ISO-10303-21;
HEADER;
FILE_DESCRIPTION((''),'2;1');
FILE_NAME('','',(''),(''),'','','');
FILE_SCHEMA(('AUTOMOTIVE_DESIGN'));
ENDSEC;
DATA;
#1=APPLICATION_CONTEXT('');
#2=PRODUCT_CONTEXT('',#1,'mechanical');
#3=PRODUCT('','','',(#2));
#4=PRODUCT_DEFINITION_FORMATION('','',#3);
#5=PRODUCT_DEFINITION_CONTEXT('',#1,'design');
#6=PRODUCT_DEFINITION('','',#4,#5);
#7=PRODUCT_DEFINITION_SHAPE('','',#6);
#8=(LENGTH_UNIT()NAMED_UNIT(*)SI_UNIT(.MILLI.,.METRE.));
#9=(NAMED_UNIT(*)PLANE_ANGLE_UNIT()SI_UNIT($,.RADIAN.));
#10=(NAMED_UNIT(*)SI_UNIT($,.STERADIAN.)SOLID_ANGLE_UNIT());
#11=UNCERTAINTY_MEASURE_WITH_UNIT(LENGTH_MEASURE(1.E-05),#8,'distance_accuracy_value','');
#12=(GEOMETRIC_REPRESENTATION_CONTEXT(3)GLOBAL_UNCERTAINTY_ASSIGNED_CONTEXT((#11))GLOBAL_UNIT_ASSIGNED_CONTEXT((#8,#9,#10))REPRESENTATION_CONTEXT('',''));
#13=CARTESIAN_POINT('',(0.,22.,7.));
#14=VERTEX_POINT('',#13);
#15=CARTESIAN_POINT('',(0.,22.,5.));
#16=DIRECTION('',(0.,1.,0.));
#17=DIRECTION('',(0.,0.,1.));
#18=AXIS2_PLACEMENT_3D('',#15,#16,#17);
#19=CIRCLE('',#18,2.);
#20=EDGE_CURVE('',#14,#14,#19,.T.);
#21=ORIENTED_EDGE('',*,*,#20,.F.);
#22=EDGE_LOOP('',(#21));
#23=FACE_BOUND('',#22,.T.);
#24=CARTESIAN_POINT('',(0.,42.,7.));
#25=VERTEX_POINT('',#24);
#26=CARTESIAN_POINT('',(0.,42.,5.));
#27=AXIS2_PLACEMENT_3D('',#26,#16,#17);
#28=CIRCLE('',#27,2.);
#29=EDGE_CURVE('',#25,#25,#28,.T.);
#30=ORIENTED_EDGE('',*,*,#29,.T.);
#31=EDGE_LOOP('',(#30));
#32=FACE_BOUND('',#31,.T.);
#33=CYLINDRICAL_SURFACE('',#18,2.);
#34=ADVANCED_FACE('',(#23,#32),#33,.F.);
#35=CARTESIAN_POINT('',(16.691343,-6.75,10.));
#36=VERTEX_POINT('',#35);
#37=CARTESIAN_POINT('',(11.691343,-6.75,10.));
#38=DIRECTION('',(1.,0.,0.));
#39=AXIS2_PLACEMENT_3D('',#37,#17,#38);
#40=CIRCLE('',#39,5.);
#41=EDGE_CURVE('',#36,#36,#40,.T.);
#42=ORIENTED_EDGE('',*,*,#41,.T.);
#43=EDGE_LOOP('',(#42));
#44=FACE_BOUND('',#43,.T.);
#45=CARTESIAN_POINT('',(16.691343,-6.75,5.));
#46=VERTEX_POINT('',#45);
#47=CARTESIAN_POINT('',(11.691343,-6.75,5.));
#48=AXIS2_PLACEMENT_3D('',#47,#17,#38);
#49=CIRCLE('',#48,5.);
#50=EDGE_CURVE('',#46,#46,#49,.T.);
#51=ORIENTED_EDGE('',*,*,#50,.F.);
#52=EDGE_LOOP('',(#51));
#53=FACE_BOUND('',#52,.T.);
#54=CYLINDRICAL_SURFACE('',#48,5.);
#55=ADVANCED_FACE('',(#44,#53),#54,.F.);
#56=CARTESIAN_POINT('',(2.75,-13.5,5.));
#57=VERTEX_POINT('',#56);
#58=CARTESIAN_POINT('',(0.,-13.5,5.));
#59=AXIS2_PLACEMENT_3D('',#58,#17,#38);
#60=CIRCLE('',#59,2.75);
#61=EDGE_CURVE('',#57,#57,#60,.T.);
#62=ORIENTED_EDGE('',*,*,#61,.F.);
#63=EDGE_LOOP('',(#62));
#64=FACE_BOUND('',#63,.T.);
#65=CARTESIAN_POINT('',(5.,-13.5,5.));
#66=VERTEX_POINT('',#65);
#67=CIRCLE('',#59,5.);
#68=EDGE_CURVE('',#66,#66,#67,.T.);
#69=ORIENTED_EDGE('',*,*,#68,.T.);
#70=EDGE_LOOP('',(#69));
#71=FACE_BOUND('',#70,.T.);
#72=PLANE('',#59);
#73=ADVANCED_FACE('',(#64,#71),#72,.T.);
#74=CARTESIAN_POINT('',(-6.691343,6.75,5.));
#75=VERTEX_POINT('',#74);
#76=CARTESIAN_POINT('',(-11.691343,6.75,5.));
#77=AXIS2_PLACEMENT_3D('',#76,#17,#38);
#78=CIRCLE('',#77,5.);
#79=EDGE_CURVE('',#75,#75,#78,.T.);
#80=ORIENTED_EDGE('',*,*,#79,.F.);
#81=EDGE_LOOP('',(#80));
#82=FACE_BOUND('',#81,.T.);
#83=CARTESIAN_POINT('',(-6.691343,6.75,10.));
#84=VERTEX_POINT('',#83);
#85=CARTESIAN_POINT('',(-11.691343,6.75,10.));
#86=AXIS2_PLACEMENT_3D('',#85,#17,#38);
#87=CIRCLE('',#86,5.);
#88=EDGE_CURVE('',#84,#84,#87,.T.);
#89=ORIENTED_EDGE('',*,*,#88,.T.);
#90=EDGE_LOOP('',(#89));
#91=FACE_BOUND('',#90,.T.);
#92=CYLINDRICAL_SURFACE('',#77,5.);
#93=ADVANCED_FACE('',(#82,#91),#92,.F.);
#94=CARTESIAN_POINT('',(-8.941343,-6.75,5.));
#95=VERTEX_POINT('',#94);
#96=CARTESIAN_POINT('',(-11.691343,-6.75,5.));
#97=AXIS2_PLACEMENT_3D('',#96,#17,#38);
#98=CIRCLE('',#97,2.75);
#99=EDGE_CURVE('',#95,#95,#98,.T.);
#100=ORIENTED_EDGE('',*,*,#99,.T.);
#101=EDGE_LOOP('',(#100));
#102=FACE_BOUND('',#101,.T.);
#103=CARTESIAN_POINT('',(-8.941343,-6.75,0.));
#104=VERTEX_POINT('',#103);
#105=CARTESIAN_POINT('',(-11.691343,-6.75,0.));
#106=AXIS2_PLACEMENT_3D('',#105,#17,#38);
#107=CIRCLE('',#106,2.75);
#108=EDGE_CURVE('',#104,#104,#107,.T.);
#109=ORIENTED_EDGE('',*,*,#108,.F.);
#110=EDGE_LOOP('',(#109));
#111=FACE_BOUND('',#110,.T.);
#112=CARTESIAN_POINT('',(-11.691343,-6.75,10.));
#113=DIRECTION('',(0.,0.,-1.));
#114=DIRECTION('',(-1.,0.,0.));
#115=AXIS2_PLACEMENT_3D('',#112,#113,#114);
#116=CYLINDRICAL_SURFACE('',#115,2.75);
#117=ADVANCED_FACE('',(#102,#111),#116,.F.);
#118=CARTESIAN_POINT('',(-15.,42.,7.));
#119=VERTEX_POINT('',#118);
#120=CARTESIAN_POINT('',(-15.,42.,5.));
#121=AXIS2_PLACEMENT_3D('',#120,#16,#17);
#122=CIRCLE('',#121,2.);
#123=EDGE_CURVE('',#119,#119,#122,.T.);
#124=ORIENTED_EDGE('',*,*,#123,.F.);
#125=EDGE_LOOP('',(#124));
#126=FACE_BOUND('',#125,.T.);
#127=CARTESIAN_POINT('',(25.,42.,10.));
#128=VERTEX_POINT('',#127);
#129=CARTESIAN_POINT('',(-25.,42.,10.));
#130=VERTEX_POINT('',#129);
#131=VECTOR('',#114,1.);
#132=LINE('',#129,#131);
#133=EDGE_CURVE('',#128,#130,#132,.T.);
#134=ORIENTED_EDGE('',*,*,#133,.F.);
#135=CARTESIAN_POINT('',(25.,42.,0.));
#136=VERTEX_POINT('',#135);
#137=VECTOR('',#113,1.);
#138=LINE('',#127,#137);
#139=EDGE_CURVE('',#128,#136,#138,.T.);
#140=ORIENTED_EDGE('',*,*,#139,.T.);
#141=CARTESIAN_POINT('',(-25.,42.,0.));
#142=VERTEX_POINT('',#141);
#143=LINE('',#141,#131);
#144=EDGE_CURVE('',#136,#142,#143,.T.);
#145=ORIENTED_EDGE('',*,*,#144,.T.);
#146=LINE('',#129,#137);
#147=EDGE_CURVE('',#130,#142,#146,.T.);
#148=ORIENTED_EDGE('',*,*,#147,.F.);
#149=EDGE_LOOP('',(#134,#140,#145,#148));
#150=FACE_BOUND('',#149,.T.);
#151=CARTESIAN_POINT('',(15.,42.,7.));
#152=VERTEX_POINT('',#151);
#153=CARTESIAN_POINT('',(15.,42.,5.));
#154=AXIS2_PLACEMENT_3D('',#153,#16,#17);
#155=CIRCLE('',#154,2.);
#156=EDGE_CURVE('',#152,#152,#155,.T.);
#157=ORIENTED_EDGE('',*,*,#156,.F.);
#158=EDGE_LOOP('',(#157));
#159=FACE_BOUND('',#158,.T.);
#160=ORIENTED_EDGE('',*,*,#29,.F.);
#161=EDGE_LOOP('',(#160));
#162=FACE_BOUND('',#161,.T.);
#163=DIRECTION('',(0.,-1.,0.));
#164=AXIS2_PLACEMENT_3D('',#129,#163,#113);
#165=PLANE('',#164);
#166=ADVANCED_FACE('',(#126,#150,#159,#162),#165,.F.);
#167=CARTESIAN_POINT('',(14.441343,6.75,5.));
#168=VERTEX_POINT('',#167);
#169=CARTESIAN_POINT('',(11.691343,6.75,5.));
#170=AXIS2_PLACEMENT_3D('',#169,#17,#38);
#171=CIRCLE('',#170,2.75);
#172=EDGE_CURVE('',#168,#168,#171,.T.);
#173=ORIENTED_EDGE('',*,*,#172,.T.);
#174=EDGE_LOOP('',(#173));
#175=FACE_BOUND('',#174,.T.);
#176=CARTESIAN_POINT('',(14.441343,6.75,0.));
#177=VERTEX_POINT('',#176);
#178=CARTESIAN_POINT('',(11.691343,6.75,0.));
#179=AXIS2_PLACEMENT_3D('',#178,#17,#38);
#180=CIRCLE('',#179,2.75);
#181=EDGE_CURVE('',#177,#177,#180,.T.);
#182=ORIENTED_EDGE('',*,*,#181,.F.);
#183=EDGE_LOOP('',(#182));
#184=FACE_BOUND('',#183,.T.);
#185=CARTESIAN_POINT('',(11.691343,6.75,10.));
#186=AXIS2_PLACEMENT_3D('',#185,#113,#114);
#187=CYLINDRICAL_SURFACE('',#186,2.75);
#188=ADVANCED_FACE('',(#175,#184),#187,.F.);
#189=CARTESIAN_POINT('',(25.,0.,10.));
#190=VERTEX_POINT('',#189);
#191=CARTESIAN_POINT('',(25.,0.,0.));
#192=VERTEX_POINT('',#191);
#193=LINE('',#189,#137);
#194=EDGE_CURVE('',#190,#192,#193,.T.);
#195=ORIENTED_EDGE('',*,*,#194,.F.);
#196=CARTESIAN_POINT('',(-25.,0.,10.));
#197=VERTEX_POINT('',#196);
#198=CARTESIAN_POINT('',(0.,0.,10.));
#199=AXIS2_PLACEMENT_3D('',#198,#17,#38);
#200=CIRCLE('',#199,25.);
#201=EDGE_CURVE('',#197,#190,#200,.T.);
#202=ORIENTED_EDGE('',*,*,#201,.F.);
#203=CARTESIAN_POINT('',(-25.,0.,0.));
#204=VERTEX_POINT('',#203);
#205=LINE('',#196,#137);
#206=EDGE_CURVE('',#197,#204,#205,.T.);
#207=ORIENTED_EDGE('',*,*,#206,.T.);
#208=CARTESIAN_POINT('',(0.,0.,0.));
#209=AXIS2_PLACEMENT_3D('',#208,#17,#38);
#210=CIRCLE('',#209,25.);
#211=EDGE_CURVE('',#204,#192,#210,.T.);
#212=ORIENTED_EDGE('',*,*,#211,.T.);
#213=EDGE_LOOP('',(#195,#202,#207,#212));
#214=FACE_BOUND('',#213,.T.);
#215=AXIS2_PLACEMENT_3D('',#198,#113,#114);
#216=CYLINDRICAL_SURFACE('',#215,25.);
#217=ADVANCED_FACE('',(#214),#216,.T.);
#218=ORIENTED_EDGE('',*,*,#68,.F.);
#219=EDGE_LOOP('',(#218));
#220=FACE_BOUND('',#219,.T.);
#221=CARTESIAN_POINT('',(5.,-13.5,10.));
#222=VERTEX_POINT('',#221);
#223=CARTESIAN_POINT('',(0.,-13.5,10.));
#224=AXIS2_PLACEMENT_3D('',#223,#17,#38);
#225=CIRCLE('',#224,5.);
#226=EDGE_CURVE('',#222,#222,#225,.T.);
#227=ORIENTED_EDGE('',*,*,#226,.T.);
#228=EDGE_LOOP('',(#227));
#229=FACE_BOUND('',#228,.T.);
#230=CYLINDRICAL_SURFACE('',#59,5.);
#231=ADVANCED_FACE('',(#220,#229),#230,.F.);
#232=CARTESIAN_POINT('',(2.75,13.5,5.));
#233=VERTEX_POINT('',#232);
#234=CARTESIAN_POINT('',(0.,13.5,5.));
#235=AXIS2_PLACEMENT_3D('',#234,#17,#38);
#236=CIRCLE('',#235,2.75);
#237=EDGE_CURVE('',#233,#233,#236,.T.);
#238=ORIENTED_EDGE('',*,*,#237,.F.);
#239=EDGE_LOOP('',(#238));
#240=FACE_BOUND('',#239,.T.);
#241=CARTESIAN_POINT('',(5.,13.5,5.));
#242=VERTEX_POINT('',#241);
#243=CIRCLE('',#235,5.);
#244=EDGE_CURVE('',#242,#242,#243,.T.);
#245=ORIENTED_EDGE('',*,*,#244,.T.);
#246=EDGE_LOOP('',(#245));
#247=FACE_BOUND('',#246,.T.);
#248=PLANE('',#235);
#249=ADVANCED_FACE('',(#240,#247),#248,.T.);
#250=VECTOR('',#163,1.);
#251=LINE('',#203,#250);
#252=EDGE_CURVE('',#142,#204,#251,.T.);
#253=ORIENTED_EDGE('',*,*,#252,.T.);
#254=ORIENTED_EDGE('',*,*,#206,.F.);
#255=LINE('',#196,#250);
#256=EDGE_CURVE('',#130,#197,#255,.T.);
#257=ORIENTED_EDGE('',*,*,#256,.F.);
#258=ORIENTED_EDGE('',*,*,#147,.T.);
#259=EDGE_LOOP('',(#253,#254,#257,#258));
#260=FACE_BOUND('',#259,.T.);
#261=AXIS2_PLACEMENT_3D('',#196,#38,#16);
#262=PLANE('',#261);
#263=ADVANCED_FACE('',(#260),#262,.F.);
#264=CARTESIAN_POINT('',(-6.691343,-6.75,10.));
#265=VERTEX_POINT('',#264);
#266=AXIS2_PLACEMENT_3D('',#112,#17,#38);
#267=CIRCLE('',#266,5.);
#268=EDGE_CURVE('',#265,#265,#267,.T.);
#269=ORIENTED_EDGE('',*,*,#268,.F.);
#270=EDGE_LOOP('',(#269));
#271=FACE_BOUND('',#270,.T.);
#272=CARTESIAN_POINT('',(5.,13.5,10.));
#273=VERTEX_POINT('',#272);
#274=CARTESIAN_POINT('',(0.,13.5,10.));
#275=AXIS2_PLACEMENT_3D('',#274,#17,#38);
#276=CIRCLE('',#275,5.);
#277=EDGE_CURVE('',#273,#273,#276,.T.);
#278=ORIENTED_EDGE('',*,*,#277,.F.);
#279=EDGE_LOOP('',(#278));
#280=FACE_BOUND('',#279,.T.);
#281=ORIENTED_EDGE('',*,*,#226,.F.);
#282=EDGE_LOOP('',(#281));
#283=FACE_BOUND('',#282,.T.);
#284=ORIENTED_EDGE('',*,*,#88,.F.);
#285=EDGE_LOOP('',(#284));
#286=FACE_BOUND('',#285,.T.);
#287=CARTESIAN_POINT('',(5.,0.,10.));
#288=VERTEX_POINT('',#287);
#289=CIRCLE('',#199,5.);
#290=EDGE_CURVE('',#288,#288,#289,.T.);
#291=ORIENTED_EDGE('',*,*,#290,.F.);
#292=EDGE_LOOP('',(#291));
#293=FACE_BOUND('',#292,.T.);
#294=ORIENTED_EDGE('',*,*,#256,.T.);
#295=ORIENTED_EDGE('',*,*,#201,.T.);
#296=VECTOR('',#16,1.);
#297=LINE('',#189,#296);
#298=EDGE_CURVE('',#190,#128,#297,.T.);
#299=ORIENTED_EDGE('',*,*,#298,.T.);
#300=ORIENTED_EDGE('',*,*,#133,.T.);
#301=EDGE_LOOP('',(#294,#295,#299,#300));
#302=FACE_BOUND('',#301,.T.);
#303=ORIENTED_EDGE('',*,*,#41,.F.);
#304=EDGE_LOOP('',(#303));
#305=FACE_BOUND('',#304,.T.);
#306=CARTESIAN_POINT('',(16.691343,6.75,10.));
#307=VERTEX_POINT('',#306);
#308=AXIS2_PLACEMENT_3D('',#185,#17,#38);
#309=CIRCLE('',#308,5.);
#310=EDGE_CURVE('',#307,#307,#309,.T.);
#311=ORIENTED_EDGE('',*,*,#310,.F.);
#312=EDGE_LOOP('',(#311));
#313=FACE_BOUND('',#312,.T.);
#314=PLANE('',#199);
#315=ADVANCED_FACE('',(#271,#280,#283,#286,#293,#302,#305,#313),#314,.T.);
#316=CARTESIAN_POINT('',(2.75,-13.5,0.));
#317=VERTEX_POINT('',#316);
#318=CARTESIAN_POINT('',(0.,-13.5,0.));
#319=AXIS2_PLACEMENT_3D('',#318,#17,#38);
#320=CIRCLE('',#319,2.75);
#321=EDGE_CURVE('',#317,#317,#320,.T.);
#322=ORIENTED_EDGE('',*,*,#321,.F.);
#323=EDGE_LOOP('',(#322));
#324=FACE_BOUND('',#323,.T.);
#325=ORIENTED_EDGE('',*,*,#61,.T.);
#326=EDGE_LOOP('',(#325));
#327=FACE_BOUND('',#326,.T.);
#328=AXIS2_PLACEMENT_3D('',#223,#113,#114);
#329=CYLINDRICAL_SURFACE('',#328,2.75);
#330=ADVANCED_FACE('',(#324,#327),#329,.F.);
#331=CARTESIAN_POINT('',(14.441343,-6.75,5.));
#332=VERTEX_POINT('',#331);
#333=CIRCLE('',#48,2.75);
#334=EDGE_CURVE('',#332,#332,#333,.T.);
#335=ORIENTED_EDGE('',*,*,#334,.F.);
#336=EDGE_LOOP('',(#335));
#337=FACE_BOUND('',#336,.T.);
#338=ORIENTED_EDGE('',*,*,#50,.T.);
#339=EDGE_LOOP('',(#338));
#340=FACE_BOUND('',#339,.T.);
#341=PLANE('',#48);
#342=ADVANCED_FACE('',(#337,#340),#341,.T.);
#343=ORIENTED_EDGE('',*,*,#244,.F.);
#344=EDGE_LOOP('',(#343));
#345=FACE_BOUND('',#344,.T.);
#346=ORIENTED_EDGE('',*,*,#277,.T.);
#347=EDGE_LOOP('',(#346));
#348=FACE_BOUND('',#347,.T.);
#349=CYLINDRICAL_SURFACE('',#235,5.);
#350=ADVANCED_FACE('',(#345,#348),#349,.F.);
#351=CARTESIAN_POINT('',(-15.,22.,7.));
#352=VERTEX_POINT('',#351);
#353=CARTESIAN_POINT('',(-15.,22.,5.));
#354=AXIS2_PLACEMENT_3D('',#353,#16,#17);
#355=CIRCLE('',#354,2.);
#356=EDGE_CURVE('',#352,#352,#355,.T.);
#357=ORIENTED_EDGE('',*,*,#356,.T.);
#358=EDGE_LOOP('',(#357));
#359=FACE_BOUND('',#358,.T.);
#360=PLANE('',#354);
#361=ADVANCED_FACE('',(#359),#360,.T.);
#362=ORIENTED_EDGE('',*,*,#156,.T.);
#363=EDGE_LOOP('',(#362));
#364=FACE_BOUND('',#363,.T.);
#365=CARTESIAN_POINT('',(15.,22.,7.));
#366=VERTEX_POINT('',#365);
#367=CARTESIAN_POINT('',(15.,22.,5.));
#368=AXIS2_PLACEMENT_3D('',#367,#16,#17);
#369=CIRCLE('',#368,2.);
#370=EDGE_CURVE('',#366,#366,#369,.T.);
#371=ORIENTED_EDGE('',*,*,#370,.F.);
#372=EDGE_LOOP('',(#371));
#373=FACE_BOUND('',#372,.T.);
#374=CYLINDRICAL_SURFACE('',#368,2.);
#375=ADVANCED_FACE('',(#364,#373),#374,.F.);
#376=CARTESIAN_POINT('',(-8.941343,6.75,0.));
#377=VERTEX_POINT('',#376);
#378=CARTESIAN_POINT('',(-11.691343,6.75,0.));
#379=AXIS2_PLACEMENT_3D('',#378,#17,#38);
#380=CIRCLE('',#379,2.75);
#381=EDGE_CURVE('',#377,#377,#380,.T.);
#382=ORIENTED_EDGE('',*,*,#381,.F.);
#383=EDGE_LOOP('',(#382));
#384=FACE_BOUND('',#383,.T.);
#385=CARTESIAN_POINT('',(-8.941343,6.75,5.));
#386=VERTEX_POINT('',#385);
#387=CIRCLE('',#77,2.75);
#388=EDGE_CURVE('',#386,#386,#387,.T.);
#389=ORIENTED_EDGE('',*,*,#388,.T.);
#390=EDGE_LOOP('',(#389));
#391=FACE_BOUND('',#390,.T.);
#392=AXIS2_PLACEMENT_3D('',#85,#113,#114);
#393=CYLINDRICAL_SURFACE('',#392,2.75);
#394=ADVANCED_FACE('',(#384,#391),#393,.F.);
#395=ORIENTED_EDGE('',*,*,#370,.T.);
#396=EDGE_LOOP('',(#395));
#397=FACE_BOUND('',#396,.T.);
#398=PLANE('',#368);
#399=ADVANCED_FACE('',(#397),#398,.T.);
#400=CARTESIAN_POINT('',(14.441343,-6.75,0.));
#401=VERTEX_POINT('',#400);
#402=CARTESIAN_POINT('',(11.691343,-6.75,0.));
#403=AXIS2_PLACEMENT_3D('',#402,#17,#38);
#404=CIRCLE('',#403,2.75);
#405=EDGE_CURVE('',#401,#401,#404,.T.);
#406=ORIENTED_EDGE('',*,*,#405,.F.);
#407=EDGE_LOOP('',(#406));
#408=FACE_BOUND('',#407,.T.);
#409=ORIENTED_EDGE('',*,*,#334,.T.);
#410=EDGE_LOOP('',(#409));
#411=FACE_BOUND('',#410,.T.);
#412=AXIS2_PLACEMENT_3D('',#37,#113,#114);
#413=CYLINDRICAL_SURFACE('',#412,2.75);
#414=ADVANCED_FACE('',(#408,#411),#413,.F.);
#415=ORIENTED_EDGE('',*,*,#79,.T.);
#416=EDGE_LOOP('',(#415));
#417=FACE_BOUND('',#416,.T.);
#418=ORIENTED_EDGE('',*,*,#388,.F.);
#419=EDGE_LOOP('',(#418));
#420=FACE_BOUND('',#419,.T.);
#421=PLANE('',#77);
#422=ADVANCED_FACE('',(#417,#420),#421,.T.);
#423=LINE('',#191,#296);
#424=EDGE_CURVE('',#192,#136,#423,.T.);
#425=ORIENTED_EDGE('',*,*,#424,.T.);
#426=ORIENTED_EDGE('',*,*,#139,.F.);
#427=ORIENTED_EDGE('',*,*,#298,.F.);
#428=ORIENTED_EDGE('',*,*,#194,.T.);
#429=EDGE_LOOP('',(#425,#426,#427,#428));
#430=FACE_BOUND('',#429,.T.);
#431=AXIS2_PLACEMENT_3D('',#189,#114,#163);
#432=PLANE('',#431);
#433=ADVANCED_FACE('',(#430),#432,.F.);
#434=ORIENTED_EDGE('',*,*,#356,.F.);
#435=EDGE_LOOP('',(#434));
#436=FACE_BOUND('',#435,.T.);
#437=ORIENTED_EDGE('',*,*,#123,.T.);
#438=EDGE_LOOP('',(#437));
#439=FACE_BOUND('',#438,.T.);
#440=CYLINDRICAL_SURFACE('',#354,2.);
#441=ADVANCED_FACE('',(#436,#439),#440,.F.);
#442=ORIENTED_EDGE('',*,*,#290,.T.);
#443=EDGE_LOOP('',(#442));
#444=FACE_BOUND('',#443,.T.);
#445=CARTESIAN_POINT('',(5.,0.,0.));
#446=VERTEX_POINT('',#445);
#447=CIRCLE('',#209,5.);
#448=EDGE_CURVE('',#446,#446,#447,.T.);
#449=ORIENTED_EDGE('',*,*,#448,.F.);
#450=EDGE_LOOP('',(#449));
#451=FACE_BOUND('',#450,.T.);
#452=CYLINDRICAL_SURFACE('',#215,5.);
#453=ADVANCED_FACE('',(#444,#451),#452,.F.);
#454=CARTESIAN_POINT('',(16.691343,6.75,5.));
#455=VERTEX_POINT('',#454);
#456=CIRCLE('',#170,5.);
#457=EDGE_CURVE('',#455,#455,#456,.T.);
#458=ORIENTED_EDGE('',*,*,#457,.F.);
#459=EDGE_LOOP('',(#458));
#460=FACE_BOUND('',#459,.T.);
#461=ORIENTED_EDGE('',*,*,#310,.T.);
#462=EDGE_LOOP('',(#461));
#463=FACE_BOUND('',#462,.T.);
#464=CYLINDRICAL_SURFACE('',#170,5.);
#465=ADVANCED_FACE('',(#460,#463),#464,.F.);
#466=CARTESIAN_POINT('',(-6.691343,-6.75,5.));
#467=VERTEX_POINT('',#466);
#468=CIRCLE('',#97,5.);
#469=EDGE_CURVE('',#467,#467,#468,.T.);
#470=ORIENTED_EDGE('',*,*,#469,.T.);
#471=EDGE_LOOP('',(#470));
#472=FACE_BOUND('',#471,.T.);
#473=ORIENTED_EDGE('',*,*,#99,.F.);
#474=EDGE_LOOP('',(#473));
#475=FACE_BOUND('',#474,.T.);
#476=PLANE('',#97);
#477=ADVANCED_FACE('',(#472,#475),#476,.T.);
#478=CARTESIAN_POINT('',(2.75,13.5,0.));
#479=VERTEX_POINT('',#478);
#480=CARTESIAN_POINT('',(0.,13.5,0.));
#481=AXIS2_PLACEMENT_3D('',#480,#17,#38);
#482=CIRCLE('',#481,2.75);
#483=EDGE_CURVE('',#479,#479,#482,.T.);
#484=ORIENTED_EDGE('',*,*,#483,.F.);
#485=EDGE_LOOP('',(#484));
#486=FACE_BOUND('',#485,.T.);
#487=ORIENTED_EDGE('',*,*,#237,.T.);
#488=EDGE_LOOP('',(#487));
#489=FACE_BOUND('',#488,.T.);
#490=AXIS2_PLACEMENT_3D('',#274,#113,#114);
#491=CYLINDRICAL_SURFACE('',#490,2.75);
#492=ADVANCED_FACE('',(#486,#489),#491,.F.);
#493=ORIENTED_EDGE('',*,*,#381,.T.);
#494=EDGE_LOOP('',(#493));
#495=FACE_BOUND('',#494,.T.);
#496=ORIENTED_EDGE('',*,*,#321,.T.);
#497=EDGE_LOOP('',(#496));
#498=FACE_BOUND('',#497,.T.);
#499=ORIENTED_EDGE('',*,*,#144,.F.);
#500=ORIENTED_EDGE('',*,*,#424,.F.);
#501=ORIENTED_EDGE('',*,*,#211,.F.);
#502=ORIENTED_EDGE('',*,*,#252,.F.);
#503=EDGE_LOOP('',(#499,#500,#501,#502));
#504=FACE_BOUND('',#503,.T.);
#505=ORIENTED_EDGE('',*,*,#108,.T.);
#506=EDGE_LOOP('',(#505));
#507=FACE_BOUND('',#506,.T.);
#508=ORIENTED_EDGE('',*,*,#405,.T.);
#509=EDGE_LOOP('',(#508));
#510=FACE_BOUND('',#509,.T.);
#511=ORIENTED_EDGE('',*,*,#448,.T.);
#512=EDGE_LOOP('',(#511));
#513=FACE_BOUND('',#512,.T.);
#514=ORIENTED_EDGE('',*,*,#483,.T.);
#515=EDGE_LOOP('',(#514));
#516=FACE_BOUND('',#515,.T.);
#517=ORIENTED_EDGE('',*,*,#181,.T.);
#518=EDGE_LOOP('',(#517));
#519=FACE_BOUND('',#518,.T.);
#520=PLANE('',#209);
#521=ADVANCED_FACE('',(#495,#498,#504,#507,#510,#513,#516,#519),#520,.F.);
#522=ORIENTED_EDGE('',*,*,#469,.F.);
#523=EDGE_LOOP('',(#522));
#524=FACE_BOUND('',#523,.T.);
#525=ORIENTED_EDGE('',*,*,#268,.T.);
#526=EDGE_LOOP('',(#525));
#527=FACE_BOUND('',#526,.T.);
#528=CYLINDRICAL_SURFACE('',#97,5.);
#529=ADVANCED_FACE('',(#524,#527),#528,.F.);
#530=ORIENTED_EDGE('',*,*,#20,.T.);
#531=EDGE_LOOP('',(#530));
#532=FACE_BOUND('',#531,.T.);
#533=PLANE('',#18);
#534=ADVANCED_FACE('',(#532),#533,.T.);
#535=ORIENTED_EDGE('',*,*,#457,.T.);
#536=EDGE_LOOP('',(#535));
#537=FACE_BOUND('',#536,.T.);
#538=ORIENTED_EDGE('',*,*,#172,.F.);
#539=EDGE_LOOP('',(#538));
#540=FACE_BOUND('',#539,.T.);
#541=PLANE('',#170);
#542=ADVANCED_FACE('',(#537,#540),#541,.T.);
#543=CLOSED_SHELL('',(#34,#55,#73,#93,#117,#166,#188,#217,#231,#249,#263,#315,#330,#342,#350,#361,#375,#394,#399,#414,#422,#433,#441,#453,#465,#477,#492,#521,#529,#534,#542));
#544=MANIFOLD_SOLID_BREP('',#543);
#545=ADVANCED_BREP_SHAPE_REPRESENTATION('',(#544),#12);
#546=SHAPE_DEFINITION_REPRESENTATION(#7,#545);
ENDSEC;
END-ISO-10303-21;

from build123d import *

# Parameters (mm, degrees)
SKETCH_1_R          = 5
SKETCH_1_R_2        = 2.75
EXTRUDE_1_DEPTH     = 10
SKETCH_2_R          = 2
CUT_EXTRUDE_1_DEPTH = 20
SKETCH_4_R          = 5
CUT_EXTRUDE_3_DEPTH = 5


with BuildPart() as part:
    # 스케치1 → 보스-돌출1 (new body)
    with BuildSketch(Plane.XY):
        with BuildLine():
            Line((25, 0), (25, 42))
            Line((25, 42), (-25, 42))
            Line((-25, 42), (-25, 0))
            ThreePointArc((-25, 0), (0, -25), (25, 0))
        make_face()
        Circle(SKETCH_1_R, mode=Mode.SUBTRACT)
        with Locations((0, -13.5)):
            Circle(SKETCH_1_R_2, mode=Mode.SUBTRACT)
        with Locations((-11.691342951, -6.75)):
            Circle(SKETCH_1_R_2, mode=Mode.SUBTRACT)
        with Locations((-11.691342951, 6.75)):
            Circle(SKETCH_1_R_2, mode=Mode.SUBTRACT)
        with Locations((0, 13.5)):
            Circle(SKETCH_1_R_2, mode=Mode.SUBTRACT)
        with Locations((11.691342951, 6.75)):
            Circle(SKETCH_1_R_2, mode=Mode.SUBTRACT)
        with Locations((11.691342951, -6.75)):
            Circle(SKETCH_1_R_2, mode=Mode.SUBTRACT)
    extrude(amount=EXTRUDE_1_DEPTH)

    # 스케치2 → 컷-돌출1 (cut)
    with BuildSketch(Plane(origin=(0, 42, 0), x_dir=(1, 0, 0), z_dir=(0, 1, 0))):
        with Locations(Location((0, -5, 0), (0, 0, 270))):
            Circle(SKETCH_2_R)
        with Locations(Location((15, -5, 0), (0, 0, 270))):
            Circle(SKETCH_2_R)
        with Locations(Location((-15, -5, 0), (0, 0, 270))):
            Circle(SKETCH_2_R)
    extrude(amount=-CUT_EXTRUDE_1_DEPTH, mode=Mode.SUBTRACT)

    # 스케치4 → 컷-돌출3 (cut)
    with BuildSketch(Plane.XY.offset(10)):
        with Locations((0, 13.5)):
            Circle(SKETCH_4_R)
        with Locations((11.691342951, 6.75)):
            Circle(SKETCH_4_R)
        with Locations((11.691342951, -6.75)):
            Circle(SKETCH_4_R)
        with Locations((0, -13.5)):
            Circle(SKETCH_4_R)
        with Locations((-11.691342951, -6.75)):
            Circle(SKETCH_4_R)
        with Locations((-11.691342951, 6.75)):
            Circle(SKETCH_4_R)
    extrude(amount=-CUT_EXTRUDE_3_DEPTH, mode=Mode.SUBTRACT)


solid = part.part
